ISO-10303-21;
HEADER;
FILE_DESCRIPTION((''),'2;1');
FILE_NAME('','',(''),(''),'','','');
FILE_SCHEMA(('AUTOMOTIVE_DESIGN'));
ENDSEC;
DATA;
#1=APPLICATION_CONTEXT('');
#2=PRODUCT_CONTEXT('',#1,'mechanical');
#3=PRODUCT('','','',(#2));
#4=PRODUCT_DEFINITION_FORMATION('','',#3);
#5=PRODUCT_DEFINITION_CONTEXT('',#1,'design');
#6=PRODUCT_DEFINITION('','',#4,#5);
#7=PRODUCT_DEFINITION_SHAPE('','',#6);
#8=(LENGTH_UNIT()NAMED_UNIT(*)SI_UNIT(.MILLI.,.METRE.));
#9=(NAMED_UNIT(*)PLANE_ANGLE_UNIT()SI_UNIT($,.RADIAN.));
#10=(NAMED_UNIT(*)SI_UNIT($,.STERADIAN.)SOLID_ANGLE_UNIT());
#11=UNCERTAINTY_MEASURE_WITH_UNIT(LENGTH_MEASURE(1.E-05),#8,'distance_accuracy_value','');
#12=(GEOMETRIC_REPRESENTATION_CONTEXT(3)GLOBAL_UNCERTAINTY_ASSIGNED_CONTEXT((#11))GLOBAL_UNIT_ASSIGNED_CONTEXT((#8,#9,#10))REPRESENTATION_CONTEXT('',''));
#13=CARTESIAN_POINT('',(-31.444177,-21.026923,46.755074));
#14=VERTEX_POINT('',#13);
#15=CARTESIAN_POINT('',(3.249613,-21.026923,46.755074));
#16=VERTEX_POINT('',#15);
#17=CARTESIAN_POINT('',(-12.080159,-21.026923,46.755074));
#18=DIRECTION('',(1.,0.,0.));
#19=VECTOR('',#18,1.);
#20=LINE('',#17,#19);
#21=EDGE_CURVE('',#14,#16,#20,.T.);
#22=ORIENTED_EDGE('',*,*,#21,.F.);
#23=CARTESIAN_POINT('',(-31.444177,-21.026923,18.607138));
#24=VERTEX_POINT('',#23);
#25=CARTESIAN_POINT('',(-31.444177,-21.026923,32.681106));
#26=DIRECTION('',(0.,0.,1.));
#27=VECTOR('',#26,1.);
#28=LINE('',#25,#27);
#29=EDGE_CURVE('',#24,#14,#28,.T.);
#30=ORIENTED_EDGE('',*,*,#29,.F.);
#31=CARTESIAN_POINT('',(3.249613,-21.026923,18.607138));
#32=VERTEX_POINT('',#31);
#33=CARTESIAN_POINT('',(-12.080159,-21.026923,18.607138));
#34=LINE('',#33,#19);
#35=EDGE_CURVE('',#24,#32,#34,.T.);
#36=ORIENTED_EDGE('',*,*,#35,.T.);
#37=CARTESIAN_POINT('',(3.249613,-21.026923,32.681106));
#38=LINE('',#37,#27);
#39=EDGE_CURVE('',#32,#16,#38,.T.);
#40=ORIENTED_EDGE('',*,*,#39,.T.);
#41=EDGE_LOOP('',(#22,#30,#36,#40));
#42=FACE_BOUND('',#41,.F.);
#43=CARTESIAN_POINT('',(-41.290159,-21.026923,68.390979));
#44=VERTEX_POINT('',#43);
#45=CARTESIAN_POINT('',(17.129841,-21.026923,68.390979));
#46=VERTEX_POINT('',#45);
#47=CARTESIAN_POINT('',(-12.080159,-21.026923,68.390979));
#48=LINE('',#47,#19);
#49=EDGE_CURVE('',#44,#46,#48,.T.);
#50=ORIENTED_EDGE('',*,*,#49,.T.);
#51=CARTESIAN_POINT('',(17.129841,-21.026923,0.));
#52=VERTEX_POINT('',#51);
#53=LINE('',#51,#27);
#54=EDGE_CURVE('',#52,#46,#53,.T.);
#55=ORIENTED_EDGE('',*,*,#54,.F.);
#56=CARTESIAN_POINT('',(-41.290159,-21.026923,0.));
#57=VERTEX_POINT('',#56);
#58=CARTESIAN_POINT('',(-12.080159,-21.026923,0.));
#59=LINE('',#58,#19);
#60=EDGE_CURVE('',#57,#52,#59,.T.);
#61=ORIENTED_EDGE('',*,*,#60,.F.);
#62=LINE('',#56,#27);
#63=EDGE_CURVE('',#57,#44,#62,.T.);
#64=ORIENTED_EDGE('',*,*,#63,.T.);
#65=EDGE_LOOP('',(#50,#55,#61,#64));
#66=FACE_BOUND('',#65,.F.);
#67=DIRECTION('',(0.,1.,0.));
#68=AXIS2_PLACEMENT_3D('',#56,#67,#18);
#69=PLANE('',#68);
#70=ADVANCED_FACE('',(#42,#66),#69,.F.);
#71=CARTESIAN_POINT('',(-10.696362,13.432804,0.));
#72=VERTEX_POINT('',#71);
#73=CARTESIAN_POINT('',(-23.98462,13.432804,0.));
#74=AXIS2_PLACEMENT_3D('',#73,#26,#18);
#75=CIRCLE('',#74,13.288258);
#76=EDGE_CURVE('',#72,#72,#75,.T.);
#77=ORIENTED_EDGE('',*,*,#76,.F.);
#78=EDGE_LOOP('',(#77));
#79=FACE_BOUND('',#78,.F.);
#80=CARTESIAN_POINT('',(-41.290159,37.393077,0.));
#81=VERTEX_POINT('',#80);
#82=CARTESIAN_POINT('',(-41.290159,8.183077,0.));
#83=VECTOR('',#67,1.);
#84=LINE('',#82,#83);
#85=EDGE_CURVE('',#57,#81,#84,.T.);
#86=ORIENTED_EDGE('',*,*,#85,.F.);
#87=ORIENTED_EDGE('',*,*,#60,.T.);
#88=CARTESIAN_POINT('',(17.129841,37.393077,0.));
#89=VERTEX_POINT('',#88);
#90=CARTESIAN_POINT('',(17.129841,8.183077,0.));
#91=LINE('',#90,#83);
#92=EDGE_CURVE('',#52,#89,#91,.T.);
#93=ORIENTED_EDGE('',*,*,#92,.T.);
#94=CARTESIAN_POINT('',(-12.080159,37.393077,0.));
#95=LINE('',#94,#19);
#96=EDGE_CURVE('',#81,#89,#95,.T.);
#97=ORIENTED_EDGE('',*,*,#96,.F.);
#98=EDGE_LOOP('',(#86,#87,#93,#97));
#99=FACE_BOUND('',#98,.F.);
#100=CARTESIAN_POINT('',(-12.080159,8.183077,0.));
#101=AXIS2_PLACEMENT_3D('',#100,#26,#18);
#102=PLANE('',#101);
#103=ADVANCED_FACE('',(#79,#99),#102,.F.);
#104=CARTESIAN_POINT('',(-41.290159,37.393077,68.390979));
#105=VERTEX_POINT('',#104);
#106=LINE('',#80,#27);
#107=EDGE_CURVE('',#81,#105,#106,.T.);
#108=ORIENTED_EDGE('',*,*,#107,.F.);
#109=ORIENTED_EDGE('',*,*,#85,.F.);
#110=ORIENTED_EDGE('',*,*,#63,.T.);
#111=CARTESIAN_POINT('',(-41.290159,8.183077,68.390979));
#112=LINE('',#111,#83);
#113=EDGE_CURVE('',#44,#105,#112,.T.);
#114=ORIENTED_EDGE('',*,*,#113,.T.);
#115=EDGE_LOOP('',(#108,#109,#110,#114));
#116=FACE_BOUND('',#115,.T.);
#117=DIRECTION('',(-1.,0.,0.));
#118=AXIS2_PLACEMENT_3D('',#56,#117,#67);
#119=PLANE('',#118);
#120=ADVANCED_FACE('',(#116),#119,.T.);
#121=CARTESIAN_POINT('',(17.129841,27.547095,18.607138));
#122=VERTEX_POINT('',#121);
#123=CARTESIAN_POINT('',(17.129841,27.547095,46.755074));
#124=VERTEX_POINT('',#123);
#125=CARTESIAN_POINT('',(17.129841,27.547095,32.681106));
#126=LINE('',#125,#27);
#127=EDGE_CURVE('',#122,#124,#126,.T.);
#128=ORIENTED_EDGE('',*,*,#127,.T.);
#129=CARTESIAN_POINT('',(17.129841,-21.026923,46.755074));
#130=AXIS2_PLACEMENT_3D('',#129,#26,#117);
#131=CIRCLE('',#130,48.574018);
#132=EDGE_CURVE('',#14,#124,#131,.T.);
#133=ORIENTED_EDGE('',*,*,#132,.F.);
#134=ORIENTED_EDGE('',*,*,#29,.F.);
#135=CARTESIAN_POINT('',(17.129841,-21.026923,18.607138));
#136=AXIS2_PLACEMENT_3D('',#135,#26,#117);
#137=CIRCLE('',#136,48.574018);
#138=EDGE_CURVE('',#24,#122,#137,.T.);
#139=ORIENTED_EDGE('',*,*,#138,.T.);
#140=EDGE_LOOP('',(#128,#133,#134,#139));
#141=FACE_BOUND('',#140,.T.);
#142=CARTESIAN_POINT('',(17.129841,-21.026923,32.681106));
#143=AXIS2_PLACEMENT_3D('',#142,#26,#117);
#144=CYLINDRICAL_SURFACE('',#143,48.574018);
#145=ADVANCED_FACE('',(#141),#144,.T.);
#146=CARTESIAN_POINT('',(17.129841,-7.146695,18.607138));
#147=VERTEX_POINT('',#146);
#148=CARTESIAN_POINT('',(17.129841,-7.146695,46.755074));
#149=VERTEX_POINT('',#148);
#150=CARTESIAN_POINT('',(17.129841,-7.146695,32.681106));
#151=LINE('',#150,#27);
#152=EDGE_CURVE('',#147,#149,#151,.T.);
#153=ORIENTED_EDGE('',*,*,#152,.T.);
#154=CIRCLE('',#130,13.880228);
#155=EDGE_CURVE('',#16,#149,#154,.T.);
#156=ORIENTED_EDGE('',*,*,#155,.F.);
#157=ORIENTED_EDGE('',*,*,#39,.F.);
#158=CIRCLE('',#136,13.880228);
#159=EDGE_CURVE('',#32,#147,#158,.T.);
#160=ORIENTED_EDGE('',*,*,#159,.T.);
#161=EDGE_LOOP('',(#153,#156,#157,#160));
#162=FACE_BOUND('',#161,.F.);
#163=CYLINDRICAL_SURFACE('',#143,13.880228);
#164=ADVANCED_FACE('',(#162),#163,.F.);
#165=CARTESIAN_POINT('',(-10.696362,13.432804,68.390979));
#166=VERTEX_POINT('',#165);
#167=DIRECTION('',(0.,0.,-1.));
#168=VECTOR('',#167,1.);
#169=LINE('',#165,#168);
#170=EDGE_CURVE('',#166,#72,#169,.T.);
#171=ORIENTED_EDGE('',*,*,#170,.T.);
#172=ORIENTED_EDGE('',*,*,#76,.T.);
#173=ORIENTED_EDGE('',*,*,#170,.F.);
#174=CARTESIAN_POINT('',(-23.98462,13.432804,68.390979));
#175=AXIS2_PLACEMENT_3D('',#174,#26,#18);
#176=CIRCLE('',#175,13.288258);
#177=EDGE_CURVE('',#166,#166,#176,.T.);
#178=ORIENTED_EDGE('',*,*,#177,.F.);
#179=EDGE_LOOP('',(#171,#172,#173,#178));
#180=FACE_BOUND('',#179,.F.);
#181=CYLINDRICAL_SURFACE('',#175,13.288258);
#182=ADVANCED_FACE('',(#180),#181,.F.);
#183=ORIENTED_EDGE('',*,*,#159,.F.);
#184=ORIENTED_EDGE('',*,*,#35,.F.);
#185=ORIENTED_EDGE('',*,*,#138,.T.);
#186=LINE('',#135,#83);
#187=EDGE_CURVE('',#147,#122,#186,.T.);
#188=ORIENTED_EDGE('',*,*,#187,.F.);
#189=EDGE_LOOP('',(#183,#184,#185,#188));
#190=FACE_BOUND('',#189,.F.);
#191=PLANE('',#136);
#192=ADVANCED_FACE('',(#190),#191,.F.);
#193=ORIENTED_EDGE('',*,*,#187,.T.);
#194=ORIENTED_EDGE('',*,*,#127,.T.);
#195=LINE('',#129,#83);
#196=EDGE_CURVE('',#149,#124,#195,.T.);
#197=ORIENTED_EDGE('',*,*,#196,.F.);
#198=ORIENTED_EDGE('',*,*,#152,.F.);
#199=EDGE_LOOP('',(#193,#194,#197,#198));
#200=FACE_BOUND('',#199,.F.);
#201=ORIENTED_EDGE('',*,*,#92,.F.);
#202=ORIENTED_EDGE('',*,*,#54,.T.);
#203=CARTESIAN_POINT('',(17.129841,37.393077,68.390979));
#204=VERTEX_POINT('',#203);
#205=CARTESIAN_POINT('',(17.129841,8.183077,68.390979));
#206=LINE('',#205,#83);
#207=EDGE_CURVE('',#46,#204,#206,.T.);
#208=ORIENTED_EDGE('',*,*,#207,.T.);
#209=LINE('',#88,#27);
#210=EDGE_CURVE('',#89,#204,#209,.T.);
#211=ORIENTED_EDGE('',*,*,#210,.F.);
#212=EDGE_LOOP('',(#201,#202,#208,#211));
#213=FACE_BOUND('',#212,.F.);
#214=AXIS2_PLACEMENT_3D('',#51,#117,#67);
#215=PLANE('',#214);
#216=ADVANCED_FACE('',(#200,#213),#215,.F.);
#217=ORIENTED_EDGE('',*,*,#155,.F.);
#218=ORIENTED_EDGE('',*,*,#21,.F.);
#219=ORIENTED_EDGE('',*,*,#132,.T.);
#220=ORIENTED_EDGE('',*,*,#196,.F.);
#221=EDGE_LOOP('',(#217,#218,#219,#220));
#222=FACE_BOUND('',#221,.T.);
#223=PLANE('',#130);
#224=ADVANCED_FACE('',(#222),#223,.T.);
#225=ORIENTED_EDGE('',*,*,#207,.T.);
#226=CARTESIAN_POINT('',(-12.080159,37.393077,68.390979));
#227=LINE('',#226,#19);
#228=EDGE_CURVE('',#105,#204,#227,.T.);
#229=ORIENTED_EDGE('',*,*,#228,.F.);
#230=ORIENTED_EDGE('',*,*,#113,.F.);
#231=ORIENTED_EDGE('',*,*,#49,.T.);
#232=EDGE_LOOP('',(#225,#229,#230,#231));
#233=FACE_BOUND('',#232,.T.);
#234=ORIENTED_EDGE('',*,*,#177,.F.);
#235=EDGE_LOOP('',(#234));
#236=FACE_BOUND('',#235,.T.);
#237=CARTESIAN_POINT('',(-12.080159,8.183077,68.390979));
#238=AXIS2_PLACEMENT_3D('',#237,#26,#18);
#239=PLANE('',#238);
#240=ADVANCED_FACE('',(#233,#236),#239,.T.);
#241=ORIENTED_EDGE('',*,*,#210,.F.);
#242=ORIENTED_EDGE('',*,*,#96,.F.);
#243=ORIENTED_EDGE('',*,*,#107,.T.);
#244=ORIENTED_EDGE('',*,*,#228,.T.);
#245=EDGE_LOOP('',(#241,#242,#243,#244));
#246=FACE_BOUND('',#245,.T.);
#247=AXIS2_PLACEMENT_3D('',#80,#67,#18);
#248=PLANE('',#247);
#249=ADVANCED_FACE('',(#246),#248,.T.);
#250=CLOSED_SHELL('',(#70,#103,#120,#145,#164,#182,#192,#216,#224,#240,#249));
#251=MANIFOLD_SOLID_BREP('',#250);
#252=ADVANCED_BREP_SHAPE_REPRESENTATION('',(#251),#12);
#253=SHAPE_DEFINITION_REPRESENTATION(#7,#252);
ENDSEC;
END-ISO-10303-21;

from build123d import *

# Parameters (mm, degrees)
F0_W     = 58.42
F0_H     = 58.42
F1_DEPTH = 68.390979
F2_W     = 34.69379
F2_H     = 28.147937
F4_R     = 13.288258
F5_DEPTH = 140.97


with BuildPart() as f1:
    # F0 (on Top) → F1 (new body)
    with BuildSketch(Plane.XY):
        with Locations((-12.080159, 8.183077)):
            Rectangle(F0_W, F0_H)
    extrude(amount=F1_DEPTH)

    # F2 (on face) → F3 (revolve)
    with BuildSketch(Plane.XZ.offset(21.026923)):
        with Locations((-14.097282, 32.681106)):
            Rectangle(F2_W, F2_H)
    revolve(axis=Axis((17.129841, -21.026923, 34.195489), (0, 0, 1)))

    # F4 (on face) → F5 (cut)
    with BuildSketch(Plane.XY.offset(68.390979)):
        with Locations((-23.98462, 13.432804)):
            Circle(F4_R)
    extrude(amount=-F5_DEPTH, mode=Mode.SUBTRACT)


solid = f1.part
